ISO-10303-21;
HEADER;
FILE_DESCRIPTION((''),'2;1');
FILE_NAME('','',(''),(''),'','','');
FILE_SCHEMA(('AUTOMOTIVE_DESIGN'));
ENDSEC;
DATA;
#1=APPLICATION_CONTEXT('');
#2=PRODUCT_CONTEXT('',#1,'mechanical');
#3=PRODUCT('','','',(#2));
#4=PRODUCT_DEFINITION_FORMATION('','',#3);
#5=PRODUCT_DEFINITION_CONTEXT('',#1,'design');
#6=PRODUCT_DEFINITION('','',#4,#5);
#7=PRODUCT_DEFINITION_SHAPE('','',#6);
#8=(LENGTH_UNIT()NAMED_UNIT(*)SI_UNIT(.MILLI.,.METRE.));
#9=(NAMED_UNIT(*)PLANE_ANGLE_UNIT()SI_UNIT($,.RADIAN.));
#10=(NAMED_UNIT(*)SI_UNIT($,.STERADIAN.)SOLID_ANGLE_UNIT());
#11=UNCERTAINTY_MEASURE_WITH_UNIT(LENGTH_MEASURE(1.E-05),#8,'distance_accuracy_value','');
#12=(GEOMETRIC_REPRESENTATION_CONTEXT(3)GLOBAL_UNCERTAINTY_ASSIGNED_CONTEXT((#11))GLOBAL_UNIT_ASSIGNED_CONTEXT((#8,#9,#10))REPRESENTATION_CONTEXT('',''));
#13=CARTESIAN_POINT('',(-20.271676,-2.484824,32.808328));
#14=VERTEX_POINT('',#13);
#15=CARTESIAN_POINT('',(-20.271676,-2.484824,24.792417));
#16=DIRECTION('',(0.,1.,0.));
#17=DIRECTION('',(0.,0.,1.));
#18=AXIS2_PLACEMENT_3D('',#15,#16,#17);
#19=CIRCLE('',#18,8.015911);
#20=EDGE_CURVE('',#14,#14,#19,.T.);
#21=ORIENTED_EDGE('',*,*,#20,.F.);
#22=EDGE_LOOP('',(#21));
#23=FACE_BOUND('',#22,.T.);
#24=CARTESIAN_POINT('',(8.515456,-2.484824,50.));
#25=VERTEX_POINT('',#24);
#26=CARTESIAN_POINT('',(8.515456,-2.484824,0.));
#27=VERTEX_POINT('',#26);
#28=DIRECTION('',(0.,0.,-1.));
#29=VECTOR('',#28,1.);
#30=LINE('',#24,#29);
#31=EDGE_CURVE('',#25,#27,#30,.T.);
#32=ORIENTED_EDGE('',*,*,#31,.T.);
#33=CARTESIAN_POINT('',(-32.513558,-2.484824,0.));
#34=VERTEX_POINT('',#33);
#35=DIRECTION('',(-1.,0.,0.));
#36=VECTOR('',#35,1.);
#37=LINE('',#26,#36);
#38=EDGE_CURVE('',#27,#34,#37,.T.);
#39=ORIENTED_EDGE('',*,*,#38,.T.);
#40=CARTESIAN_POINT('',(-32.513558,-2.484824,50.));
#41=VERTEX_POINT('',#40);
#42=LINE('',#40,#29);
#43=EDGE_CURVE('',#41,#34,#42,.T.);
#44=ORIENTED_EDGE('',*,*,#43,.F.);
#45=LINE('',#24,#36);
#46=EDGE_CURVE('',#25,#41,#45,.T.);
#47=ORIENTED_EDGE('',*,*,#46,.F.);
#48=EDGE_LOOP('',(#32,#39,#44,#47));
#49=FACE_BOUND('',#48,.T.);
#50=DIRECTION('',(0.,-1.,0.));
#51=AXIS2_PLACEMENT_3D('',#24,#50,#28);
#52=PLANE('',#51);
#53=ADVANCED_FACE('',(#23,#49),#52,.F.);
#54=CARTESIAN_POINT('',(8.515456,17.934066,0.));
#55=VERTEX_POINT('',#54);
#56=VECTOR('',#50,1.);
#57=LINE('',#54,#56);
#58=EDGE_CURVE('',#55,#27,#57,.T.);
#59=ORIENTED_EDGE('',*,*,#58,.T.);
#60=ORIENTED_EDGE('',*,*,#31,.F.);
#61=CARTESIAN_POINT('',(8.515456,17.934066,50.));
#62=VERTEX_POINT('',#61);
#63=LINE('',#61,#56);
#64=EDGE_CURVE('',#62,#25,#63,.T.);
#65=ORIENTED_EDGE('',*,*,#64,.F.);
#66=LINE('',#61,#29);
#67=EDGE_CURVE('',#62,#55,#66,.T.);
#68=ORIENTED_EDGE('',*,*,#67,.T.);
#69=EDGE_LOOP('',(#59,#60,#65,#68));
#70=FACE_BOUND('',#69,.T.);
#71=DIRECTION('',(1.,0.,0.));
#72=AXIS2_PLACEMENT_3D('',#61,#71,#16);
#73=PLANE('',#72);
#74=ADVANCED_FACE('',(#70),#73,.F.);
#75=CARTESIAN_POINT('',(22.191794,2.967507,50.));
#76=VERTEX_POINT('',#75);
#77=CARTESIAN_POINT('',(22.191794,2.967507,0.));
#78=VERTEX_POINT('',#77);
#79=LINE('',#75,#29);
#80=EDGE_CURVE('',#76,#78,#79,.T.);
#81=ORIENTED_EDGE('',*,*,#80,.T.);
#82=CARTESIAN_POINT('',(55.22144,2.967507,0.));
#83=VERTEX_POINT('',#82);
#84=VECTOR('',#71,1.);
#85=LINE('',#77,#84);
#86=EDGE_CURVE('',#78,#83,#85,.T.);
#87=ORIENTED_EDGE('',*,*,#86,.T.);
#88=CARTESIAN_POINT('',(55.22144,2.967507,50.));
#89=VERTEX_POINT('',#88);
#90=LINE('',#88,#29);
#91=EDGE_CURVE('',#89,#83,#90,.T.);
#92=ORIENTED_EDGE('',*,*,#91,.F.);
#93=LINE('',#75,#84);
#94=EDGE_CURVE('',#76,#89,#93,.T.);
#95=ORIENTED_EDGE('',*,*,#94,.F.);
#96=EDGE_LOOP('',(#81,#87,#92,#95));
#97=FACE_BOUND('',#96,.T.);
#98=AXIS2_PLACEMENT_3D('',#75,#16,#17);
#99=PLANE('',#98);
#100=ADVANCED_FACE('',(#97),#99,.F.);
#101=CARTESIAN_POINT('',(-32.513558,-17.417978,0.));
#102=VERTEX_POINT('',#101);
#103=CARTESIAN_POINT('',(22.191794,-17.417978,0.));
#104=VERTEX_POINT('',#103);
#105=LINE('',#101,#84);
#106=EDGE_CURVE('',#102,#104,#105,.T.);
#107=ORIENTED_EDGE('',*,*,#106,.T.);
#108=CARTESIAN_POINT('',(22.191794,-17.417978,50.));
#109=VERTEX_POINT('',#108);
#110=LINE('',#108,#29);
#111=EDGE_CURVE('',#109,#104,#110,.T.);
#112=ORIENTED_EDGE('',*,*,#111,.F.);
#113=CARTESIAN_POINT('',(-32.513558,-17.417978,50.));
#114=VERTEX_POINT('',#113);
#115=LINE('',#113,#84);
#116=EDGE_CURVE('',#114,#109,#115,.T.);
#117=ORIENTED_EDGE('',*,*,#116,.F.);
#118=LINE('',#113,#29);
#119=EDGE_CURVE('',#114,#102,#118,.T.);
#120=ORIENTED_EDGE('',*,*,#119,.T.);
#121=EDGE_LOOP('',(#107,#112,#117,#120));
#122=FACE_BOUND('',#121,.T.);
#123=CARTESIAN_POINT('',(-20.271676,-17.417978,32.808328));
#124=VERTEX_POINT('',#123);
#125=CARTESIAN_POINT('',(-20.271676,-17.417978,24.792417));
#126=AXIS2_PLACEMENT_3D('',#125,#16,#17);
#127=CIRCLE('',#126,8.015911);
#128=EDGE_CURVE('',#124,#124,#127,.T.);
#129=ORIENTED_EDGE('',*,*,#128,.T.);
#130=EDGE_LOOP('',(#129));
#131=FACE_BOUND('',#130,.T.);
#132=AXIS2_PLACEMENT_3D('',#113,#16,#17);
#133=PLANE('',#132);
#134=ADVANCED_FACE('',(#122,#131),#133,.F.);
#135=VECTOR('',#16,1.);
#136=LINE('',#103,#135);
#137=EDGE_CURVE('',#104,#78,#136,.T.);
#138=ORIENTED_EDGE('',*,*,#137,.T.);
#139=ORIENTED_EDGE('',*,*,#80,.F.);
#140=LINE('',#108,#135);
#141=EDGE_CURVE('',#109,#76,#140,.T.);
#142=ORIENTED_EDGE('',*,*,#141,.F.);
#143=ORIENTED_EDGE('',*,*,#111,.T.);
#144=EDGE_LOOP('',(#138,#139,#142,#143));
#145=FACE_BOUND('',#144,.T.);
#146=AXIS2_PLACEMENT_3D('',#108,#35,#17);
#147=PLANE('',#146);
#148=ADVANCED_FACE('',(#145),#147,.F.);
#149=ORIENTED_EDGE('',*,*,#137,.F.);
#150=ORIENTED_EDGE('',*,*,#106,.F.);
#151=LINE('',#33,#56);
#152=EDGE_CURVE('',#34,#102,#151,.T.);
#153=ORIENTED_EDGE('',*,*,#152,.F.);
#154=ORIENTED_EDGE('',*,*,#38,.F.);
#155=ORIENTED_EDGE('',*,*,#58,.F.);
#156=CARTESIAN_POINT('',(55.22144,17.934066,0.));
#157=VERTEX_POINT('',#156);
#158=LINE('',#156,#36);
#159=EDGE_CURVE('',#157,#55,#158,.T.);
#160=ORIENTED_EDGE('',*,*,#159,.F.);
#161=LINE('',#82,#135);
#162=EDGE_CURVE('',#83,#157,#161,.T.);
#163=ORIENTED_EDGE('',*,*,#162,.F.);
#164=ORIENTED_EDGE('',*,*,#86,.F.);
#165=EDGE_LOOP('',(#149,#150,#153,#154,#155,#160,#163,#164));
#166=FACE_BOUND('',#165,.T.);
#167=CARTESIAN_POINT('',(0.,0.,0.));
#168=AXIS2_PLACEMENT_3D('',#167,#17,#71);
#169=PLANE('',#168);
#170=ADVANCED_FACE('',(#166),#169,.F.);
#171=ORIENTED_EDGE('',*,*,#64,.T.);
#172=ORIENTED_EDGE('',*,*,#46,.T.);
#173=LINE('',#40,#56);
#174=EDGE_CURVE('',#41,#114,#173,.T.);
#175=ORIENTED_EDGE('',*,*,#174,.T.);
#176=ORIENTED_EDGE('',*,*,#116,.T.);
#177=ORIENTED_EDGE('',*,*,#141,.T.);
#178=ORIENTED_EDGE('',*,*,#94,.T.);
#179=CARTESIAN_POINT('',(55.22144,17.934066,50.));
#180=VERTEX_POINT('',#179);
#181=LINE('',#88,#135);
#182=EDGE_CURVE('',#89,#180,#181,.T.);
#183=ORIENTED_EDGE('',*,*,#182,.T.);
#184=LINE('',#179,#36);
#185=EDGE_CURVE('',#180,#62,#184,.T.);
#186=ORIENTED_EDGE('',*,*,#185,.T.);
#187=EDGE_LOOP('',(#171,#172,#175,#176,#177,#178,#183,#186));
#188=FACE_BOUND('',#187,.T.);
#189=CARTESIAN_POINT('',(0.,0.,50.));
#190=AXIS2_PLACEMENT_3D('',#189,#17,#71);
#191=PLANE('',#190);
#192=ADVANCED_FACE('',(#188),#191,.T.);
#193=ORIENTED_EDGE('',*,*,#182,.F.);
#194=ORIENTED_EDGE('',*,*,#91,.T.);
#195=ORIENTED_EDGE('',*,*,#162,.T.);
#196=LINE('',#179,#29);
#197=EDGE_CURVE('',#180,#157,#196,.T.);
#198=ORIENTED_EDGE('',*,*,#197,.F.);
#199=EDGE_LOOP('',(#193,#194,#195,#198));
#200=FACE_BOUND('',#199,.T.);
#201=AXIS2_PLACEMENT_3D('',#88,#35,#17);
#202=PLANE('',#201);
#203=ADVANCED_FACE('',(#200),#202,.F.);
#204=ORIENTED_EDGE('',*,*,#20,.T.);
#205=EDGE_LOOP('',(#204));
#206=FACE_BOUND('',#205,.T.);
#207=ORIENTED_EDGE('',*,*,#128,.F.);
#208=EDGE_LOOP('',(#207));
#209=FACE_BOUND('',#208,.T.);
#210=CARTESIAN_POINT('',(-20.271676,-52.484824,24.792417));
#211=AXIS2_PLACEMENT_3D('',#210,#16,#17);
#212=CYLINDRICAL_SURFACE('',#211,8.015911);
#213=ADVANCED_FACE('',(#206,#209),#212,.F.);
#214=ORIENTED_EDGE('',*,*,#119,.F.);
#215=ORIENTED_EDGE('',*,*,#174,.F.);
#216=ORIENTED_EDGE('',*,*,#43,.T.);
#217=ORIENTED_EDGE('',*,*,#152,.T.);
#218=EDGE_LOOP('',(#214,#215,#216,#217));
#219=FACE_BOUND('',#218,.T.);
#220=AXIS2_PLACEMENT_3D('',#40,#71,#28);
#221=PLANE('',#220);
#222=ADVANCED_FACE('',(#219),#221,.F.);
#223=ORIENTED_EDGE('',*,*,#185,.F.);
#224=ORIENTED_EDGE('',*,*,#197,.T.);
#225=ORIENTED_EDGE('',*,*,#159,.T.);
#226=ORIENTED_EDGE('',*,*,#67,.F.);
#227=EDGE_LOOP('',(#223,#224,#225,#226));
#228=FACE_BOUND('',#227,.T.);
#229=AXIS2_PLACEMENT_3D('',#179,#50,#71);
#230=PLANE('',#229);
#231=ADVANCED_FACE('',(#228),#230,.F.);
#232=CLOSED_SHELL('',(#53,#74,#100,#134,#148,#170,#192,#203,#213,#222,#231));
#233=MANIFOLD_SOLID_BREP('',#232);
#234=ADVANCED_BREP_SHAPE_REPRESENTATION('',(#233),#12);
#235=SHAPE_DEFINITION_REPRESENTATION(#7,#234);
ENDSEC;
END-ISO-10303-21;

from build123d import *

# Parameters (mm, degrees)
BOSS_EXTRUDE1_DEPTH = 50
SKETCH2_R           = 8.015910741
CUT_EXTRUDE1_DEPTH  = 50


with BuildPart() as part:
    # Sketch1 → Boss-Extrude1 (new body)
    with BuildSketch(Plane.XY):
        Polygon((-32.513558384, -17.417977706), (22.191793818, -17.417977706), (22.191793818, 2.967507313), (55.22144043, 2.967507313), (55.22144043, 17.934065934), (8.515455767, 17.934065934), (8.515455767, -2.484824138), (-32.513558384, -2.484824138), align=None)
    extrude(amount=BOSS_EXTRUDE1_DEPTH)

    # Sketch2 → Cut-Extrude1 (cut)
    with BuildSketch(Plane(origin=(0, -2.484824138, 0), x_dir=(1, 0, 0), z_dir=(0, 1, 0))):
        with Locations(Location((-20.271675516, -24.792417099, 0), (0, 0, 270))):
            Circle(SKETCH2_R)
    extrude(amount=-CUT_EXTRUDE1_DEPTH, mode=Mode.SUBTRACT)


solid = part.part
